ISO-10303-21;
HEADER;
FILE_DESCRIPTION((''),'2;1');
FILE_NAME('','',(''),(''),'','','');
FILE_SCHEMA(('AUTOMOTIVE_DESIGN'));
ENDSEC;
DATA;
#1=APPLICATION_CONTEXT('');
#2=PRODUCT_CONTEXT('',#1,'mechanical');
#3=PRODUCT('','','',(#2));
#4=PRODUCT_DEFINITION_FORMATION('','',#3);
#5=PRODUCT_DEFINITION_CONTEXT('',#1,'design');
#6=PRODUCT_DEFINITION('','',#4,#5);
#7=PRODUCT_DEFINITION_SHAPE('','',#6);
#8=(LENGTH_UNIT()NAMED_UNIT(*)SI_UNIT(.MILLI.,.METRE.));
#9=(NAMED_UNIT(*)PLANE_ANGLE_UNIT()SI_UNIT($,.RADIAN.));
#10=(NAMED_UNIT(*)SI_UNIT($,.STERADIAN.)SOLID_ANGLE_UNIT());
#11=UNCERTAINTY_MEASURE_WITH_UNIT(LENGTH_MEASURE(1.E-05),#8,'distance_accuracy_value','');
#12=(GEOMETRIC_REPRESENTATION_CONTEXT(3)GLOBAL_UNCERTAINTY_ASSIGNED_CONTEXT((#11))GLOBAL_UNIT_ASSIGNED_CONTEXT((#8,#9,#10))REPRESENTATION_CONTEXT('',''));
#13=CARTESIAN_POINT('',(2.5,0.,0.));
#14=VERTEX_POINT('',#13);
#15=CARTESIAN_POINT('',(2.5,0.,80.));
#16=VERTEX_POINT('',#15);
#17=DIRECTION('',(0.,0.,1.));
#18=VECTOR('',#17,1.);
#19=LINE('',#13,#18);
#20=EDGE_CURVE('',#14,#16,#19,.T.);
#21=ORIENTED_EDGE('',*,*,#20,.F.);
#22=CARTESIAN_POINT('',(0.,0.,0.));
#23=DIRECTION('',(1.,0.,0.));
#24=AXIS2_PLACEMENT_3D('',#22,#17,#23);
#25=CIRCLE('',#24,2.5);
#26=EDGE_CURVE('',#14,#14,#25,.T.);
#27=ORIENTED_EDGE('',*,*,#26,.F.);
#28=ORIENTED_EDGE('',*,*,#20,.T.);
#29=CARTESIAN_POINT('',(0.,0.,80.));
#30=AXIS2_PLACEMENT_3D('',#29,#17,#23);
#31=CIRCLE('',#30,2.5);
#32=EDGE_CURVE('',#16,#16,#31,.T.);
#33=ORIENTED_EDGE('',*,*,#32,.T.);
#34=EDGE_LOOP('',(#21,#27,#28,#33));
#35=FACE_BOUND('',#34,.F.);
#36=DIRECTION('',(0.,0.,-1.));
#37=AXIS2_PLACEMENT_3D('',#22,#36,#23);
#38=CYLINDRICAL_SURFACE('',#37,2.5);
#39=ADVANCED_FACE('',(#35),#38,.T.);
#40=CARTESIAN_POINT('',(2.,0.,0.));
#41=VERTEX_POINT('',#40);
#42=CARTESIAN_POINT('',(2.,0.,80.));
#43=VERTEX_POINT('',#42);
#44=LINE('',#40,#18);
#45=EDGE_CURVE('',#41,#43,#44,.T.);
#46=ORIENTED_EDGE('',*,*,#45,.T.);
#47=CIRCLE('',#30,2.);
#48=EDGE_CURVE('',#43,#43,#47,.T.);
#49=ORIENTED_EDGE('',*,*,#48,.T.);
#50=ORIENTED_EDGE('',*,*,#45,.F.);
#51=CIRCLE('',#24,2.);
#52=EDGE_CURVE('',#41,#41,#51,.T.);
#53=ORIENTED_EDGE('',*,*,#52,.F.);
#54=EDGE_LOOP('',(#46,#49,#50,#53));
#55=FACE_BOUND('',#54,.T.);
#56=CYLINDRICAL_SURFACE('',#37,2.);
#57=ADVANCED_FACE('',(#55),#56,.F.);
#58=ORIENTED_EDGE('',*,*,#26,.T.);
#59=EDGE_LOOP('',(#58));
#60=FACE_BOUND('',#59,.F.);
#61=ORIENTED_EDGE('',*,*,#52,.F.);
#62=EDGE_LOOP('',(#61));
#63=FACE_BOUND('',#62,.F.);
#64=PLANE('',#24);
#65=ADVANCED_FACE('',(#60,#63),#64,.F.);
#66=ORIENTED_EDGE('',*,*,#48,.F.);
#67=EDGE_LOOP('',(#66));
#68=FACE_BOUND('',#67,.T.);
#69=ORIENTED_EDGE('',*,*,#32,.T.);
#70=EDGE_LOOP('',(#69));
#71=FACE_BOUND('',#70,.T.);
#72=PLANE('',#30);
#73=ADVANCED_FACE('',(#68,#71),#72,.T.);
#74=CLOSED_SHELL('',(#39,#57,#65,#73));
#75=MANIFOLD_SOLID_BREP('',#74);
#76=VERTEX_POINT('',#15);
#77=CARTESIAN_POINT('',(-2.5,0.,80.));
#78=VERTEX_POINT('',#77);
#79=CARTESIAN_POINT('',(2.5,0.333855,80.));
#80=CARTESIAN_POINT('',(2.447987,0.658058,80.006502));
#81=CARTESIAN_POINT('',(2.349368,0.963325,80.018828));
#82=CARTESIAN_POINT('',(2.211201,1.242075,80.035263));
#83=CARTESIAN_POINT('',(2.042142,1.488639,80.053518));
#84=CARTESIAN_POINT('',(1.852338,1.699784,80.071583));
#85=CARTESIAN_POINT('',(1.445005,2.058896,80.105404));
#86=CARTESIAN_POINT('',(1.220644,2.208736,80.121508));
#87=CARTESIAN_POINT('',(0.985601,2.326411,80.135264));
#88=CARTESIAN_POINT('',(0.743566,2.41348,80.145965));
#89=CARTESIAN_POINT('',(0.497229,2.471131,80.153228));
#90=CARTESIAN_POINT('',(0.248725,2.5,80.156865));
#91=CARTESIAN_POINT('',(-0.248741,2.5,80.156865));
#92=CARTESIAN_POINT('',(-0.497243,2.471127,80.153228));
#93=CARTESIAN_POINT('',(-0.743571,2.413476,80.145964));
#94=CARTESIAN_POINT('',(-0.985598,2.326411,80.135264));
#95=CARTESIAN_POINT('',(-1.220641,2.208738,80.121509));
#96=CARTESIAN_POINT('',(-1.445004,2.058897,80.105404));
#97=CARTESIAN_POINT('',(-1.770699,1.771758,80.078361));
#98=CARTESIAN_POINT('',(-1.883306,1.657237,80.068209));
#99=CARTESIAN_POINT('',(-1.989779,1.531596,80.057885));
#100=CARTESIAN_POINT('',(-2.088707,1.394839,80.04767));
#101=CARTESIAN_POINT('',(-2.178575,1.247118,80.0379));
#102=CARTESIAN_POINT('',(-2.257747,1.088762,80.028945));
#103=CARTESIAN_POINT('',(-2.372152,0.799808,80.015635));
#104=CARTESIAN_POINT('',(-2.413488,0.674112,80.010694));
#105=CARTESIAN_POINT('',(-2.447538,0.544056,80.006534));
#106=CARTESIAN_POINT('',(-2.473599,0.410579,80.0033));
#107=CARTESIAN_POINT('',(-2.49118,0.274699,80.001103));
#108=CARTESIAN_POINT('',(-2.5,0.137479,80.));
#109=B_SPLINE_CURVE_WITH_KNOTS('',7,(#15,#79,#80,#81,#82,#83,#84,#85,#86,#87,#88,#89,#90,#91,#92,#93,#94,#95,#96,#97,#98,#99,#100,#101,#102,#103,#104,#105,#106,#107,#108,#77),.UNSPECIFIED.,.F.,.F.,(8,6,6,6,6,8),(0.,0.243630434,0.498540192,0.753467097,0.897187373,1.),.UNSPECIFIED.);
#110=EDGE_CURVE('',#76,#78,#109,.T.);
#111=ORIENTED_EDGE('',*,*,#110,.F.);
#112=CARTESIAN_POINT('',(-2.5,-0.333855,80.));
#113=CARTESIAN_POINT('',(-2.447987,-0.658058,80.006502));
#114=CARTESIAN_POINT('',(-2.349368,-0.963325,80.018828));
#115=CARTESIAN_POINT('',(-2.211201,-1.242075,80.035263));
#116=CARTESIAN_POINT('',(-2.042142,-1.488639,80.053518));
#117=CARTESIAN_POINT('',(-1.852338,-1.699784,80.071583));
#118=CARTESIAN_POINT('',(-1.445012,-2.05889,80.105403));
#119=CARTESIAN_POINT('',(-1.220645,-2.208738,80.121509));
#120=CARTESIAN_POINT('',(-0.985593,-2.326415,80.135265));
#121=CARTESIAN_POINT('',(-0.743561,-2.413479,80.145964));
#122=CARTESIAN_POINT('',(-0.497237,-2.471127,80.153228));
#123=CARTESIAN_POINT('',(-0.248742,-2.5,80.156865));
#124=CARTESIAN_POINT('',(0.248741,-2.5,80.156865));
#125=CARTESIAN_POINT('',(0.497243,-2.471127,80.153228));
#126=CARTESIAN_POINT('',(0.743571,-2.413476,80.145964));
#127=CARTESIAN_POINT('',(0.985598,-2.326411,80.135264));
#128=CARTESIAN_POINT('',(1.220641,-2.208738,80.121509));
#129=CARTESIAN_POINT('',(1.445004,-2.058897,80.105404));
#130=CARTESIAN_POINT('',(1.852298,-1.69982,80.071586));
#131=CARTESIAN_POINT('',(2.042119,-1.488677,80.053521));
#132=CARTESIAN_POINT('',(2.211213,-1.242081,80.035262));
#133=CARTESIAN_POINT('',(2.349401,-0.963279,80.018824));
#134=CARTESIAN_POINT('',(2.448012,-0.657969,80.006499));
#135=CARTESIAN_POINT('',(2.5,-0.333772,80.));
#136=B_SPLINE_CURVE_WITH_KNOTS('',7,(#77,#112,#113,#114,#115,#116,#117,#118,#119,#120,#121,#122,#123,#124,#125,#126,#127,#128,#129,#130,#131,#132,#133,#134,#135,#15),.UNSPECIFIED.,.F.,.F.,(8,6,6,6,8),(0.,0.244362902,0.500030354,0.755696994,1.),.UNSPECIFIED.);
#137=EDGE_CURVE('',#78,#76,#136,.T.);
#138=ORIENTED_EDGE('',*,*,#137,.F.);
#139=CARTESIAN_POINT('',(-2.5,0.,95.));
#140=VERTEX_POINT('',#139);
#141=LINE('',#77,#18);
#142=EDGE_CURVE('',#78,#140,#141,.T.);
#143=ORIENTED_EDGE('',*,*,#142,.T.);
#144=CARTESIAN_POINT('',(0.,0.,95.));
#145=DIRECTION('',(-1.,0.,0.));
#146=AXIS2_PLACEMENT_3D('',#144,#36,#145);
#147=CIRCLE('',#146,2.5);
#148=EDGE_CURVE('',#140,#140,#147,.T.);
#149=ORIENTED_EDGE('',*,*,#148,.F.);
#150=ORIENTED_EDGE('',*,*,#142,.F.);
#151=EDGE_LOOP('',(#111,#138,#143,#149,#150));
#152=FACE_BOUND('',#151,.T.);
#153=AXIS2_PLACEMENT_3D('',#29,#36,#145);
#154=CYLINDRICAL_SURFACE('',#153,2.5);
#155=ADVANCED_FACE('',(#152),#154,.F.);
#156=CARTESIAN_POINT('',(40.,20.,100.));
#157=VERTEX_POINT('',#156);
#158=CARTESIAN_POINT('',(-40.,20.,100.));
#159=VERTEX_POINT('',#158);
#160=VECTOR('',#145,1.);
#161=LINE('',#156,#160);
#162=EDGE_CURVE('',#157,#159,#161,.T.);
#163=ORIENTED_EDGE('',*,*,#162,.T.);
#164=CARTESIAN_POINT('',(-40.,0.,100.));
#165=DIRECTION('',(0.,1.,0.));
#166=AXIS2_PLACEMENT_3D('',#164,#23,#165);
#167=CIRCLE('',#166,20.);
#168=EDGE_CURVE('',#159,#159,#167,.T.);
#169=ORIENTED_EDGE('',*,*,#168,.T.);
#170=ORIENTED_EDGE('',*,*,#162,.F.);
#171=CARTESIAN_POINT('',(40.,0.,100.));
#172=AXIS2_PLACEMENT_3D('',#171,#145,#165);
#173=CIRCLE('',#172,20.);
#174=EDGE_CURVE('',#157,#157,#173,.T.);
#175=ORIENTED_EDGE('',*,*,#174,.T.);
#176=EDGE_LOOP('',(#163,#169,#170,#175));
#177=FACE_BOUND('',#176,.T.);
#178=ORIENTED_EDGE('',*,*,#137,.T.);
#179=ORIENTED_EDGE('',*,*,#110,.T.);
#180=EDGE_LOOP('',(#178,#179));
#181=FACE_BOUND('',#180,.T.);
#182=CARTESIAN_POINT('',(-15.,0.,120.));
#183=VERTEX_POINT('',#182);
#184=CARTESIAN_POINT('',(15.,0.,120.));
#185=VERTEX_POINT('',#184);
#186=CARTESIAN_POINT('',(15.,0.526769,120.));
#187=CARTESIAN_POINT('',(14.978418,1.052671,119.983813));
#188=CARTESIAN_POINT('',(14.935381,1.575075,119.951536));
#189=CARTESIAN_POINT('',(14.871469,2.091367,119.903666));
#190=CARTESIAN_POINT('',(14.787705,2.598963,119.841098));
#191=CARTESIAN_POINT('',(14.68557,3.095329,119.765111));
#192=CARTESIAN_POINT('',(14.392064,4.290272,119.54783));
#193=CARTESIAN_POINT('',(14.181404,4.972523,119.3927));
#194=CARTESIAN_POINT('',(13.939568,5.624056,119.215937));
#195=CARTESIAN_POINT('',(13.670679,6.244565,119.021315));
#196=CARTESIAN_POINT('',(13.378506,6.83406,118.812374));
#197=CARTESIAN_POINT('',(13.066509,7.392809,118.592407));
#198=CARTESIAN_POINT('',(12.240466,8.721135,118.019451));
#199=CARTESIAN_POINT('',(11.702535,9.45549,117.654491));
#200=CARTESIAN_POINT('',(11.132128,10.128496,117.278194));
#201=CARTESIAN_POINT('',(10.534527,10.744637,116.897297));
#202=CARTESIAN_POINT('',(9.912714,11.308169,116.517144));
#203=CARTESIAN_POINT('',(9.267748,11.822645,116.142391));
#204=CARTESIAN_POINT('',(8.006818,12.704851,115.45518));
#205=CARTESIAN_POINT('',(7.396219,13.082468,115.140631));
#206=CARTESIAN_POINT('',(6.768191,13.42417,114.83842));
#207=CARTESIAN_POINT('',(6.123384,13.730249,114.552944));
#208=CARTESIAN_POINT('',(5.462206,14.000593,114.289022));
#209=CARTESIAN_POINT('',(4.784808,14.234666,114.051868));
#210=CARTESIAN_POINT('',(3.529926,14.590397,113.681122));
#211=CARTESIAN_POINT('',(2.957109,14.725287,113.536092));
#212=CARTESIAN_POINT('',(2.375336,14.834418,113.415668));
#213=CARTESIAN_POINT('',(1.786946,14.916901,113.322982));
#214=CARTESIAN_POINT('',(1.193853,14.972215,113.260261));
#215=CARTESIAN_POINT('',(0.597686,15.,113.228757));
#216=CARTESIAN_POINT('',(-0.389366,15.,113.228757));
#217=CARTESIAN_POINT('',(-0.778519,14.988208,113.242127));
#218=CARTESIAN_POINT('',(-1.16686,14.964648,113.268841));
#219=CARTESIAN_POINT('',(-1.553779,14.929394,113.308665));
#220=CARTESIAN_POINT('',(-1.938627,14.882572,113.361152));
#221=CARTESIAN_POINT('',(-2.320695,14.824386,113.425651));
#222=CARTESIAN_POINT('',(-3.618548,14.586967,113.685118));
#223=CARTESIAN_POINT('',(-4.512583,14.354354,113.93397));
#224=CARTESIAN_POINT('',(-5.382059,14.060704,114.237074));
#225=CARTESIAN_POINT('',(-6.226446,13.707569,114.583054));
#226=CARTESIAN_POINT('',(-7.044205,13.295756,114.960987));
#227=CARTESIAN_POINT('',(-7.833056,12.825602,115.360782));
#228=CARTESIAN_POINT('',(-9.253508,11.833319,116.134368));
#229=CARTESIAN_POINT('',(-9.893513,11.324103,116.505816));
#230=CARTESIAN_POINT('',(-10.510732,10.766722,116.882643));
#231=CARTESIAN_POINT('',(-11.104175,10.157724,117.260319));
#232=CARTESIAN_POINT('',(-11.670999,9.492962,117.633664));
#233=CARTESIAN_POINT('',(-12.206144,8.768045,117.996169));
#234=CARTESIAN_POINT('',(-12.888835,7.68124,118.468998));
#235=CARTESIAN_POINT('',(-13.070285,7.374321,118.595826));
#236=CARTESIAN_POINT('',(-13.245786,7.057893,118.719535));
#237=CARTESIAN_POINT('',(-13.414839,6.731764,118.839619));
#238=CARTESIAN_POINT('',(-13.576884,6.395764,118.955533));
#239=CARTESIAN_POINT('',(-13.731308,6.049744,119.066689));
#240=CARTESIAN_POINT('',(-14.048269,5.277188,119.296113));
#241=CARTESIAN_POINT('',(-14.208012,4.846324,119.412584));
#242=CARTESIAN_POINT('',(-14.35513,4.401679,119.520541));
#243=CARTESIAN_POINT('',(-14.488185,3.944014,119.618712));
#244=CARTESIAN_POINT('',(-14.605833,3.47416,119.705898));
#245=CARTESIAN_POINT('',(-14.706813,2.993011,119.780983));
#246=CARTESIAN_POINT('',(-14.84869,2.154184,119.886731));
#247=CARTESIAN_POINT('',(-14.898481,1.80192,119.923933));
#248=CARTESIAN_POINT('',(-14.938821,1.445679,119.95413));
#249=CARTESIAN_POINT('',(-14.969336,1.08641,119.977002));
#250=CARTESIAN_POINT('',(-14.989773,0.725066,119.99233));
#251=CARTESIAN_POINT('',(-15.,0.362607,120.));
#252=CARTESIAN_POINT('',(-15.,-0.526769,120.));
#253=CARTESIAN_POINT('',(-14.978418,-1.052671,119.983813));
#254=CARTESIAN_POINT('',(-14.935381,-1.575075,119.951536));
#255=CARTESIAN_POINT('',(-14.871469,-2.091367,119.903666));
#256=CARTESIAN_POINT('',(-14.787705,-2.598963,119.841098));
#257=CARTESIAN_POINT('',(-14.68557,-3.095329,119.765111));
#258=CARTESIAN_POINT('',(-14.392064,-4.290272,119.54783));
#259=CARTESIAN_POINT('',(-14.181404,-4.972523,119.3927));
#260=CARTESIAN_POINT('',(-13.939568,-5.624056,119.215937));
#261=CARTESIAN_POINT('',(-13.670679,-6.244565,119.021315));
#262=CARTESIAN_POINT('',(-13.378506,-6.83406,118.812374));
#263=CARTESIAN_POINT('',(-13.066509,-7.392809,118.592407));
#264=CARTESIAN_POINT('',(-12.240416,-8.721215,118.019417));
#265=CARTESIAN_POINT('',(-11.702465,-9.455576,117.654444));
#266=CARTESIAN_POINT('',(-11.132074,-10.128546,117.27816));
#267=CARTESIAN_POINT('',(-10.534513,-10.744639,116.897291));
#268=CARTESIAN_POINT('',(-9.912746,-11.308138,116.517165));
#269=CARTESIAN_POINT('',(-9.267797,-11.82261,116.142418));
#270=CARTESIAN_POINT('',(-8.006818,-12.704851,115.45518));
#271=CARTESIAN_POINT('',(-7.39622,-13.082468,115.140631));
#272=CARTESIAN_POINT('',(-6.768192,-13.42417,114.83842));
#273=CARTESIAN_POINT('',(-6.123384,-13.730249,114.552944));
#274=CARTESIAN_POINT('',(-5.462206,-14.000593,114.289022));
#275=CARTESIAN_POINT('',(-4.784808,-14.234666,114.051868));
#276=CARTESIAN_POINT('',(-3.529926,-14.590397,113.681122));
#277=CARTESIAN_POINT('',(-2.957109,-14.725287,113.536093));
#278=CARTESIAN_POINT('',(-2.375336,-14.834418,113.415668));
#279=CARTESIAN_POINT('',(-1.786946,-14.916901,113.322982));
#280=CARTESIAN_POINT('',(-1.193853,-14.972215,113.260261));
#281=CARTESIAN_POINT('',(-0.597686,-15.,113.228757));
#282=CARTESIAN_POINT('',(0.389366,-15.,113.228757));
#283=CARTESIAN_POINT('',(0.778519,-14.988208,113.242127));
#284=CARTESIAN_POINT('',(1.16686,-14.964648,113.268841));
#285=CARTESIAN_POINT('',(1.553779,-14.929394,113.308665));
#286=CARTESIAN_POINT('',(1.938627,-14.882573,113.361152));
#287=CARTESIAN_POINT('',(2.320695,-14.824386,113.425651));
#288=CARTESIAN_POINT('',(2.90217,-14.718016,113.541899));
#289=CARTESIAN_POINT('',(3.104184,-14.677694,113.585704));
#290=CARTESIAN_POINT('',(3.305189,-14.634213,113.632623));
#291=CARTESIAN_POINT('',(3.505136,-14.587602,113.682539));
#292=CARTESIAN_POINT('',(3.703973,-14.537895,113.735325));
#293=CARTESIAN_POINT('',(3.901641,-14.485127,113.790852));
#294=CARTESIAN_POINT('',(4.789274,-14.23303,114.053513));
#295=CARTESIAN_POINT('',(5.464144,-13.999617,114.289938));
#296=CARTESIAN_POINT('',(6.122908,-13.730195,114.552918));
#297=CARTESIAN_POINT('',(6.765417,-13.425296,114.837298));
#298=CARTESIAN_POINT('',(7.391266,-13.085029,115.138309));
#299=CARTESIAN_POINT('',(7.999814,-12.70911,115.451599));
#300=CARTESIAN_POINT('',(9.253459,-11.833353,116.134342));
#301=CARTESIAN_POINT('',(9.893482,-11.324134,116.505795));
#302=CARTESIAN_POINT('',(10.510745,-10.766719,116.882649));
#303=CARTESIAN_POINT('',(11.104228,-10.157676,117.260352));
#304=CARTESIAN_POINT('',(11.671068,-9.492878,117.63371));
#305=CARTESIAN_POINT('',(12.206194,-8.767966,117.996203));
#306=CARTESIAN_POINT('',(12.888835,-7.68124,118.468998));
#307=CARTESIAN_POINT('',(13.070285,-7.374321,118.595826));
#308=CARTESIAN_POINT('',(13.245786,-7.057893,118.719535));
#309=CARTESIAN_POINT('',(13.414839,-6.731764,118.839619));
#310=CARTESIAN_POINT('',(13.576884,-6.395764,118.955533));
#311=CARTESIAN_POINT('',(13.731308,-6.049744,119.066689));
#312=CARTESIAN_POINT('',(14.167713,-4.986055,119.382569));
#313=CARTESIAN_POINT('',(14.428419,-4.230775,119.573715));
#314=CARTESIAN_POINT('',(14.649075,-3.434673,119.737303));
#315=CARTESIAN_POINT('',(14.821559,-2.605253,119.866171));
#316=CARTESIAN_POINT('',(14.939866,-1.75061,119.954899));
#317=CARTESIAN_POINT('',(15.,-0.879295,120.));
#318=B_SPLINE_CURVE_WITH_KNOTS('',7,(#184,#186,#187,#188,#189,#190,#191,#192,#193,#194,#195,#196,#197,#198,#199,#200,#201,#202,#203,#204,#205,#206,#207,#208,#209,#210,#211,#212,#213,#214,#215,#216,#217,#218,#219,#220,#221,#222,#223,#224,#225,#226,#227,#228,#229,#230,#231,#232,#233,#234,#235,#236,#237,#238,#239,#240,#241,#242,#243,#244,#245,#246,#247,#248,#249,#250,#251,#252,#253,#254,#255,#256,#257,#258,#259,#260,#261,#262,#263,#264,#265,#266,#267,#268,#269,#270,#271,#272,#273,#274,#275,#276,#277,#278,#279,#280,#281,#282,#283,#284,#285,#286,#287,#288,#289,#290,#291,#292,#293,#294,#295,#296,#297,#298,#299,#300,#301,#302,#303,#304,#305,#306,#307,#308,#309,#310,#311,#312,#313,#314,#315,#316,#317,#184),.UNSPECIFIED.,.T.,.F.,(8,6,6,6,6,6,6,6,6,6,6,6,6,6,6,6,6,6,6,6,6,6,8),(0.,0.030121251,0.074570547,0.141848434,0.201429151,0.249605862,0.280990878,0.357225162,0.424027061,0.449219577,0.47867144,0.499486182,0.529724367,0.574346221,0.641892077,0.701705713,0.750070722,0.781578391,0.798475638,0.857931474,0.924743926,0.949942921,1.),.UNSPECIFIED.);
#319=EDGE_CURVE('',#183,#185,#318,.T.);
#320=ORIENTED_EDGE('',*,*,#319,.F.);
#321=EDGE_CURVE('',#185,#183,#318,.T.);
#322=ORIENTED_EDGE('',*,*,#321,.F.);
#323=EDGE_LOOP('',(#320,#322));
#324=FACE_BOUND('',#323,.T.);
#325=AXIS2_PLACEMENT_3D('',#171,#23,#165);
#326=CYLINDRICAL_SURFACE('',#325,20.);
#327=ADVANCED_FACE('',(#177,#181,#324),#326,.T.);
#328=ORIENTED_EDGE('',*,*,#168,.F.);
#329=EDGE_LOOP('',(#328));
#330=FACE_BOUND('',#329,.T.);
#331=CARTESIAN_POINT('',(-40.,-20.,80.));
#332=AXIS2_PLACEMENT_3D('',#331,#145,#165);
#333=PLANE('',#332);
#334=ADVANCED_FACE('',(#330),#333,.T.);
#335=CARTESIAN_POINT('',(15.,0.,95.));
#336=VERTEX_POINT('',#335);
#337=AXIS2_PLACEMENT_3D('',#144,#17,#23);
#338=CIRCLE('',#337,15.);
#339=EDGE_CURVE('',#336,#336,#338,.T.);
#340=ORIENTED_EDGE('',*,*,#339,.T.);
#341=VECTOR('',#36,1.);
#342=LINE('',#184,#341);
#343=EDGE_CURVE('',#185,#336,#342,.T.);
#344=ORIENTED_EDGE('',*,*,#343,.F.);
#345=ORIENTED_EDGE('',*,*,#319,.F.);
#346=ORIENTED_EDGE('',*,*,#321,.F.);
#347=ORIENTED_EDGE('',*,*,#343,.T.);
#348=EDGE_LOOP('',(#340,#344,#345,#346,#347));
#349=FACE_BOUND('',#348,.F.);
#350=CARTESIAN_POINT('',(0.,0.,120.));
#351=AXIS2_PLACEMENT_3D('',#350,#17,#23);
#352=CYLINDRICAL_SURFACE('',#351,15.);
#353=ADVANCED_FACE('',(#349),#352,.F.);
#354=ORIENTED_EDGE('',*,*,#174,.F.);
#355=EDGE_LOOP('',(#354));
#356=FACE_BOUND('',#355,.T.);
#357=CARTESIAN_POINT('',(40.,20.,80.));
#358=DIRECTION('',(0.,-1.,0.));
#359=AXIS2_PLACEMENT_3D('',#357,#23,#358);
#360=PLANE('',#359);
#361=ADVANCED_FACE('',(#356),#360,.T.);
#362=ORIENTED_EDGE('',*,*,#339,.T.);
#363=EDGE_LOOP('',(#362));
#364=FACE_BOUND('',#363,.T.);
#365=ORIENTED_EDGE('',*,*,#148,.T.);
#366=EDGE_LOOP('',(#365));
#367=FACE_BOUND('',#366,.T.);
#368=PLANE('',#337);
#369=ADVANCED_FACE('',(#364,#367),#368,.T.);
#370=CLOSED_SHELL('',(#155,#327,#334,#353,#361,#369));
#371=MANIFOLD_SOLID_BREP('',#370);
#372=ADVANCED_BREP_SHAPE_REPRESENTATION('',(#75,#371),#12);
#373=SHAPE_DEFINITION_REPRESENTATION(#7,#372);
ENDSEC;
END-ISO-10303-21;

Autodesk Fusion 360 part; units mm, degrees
sketch "Sketch3" plane through (0, 0, 0) normal (0, 0, 1) x (1, 0, 0)
  circle A0 centre (0, 0) radius 2.5
  circle A1 centre (0, 0) radius 2
  dimension "d8" = 5
  dimension "d9" = 4
extrude "Extrude1" add sketch "Sketch3" along normal blind 80 makes body 1
ref_plane "WorkPlane1" through (0, 0, 80) normal (0, 0, 1) x (1, 0, 0)
sketch "Sketch4" plane through (0, 0, 80) normal (0, 0, 1) x (1, 0, 0)
sketch "Sketch5" plane through (0, 0, 80) normal (0, 0, 1) x (-1, 0, 0)
  circle A0 centre (0, 0) radius 2
  circle A1 centre (0, 0) radius 2.5
  line L0 (-40, 20) -> (40, 20)
  line L1 (40, 20) -> (40, -20)
  line L2 (40, -20) -> (-40, -20)
  line L3 (-40, -20) -> (-40, 20)
  line L4 (-40, 20) -> (40, -20) construction
  line L5 (40, 20) -> (-40, -20) construction
  dimension "d13" = 80
extrude "Extrude2" add sketch "Sketch5" along normal blind 40 separate body contours L0 L1 L2 L3 makes body 2
ref_plane "WorkPlane2" through (0, 0, 120) normal (0, 0, 1) x (-1, 0, 0)
sketch "Sketch6" plane through (0, 0, 120) normal (0, 0, 1) x (1, 0, 0)
ref_plane "WorkPlane3" through (40, 0, 100) normal (1, 0, 0) x (0, 1, 0)
sketch "Sketch7" plane through (40, 0, 100) normal (1, 0, 0) x (0, 1, 0)
  circle A0 centre (0, 0) radius 20
  line L0 (20, 20) -> (-20, 20)
  line L1 (-20, 20) -> (-20, -20)
  line L2 (-20, -20) -> (20, -20)
  line L3 (20, -20) -> (20, 20)
  line L4 (20, 20) -> (-20, -20) construction
  line L5 (-20, 20) -> (20, -20) construction
  dimension "d18" = 40
  dimension "d19" = 40
extrude "Extrude4" cut sketch "Sketch7" against normal blind 80 contours A0 L2 L3 | A0 L0 L3 | A0 L0 L1 | A0 L1 L2 bodies 2
extrude "Extrude3" cut sketch "Sketch7" against normal blind 80 contours A0 L0 L1 bodies 2
sketch "Sketch8" plane through (40, 0, 0) normal (1, 0, 0) x (0, 1, 0)
  circle A0 centre (0, 100) radius 20
ref_plane "WorkPlane4" through (0, 0, 120) normal (0, 0, 1) x (1, 0, 0)
sketch "Sketch9" plane through (0, 0, 120) normal (0, 0, 1) x (1, 0, 0)
  circle A0 centre (0, 0) radius 15
  dimension "d25" = 30
extrude "Extrude5" cut sketch "Sketch9" against normal blind 25 bodies 2
